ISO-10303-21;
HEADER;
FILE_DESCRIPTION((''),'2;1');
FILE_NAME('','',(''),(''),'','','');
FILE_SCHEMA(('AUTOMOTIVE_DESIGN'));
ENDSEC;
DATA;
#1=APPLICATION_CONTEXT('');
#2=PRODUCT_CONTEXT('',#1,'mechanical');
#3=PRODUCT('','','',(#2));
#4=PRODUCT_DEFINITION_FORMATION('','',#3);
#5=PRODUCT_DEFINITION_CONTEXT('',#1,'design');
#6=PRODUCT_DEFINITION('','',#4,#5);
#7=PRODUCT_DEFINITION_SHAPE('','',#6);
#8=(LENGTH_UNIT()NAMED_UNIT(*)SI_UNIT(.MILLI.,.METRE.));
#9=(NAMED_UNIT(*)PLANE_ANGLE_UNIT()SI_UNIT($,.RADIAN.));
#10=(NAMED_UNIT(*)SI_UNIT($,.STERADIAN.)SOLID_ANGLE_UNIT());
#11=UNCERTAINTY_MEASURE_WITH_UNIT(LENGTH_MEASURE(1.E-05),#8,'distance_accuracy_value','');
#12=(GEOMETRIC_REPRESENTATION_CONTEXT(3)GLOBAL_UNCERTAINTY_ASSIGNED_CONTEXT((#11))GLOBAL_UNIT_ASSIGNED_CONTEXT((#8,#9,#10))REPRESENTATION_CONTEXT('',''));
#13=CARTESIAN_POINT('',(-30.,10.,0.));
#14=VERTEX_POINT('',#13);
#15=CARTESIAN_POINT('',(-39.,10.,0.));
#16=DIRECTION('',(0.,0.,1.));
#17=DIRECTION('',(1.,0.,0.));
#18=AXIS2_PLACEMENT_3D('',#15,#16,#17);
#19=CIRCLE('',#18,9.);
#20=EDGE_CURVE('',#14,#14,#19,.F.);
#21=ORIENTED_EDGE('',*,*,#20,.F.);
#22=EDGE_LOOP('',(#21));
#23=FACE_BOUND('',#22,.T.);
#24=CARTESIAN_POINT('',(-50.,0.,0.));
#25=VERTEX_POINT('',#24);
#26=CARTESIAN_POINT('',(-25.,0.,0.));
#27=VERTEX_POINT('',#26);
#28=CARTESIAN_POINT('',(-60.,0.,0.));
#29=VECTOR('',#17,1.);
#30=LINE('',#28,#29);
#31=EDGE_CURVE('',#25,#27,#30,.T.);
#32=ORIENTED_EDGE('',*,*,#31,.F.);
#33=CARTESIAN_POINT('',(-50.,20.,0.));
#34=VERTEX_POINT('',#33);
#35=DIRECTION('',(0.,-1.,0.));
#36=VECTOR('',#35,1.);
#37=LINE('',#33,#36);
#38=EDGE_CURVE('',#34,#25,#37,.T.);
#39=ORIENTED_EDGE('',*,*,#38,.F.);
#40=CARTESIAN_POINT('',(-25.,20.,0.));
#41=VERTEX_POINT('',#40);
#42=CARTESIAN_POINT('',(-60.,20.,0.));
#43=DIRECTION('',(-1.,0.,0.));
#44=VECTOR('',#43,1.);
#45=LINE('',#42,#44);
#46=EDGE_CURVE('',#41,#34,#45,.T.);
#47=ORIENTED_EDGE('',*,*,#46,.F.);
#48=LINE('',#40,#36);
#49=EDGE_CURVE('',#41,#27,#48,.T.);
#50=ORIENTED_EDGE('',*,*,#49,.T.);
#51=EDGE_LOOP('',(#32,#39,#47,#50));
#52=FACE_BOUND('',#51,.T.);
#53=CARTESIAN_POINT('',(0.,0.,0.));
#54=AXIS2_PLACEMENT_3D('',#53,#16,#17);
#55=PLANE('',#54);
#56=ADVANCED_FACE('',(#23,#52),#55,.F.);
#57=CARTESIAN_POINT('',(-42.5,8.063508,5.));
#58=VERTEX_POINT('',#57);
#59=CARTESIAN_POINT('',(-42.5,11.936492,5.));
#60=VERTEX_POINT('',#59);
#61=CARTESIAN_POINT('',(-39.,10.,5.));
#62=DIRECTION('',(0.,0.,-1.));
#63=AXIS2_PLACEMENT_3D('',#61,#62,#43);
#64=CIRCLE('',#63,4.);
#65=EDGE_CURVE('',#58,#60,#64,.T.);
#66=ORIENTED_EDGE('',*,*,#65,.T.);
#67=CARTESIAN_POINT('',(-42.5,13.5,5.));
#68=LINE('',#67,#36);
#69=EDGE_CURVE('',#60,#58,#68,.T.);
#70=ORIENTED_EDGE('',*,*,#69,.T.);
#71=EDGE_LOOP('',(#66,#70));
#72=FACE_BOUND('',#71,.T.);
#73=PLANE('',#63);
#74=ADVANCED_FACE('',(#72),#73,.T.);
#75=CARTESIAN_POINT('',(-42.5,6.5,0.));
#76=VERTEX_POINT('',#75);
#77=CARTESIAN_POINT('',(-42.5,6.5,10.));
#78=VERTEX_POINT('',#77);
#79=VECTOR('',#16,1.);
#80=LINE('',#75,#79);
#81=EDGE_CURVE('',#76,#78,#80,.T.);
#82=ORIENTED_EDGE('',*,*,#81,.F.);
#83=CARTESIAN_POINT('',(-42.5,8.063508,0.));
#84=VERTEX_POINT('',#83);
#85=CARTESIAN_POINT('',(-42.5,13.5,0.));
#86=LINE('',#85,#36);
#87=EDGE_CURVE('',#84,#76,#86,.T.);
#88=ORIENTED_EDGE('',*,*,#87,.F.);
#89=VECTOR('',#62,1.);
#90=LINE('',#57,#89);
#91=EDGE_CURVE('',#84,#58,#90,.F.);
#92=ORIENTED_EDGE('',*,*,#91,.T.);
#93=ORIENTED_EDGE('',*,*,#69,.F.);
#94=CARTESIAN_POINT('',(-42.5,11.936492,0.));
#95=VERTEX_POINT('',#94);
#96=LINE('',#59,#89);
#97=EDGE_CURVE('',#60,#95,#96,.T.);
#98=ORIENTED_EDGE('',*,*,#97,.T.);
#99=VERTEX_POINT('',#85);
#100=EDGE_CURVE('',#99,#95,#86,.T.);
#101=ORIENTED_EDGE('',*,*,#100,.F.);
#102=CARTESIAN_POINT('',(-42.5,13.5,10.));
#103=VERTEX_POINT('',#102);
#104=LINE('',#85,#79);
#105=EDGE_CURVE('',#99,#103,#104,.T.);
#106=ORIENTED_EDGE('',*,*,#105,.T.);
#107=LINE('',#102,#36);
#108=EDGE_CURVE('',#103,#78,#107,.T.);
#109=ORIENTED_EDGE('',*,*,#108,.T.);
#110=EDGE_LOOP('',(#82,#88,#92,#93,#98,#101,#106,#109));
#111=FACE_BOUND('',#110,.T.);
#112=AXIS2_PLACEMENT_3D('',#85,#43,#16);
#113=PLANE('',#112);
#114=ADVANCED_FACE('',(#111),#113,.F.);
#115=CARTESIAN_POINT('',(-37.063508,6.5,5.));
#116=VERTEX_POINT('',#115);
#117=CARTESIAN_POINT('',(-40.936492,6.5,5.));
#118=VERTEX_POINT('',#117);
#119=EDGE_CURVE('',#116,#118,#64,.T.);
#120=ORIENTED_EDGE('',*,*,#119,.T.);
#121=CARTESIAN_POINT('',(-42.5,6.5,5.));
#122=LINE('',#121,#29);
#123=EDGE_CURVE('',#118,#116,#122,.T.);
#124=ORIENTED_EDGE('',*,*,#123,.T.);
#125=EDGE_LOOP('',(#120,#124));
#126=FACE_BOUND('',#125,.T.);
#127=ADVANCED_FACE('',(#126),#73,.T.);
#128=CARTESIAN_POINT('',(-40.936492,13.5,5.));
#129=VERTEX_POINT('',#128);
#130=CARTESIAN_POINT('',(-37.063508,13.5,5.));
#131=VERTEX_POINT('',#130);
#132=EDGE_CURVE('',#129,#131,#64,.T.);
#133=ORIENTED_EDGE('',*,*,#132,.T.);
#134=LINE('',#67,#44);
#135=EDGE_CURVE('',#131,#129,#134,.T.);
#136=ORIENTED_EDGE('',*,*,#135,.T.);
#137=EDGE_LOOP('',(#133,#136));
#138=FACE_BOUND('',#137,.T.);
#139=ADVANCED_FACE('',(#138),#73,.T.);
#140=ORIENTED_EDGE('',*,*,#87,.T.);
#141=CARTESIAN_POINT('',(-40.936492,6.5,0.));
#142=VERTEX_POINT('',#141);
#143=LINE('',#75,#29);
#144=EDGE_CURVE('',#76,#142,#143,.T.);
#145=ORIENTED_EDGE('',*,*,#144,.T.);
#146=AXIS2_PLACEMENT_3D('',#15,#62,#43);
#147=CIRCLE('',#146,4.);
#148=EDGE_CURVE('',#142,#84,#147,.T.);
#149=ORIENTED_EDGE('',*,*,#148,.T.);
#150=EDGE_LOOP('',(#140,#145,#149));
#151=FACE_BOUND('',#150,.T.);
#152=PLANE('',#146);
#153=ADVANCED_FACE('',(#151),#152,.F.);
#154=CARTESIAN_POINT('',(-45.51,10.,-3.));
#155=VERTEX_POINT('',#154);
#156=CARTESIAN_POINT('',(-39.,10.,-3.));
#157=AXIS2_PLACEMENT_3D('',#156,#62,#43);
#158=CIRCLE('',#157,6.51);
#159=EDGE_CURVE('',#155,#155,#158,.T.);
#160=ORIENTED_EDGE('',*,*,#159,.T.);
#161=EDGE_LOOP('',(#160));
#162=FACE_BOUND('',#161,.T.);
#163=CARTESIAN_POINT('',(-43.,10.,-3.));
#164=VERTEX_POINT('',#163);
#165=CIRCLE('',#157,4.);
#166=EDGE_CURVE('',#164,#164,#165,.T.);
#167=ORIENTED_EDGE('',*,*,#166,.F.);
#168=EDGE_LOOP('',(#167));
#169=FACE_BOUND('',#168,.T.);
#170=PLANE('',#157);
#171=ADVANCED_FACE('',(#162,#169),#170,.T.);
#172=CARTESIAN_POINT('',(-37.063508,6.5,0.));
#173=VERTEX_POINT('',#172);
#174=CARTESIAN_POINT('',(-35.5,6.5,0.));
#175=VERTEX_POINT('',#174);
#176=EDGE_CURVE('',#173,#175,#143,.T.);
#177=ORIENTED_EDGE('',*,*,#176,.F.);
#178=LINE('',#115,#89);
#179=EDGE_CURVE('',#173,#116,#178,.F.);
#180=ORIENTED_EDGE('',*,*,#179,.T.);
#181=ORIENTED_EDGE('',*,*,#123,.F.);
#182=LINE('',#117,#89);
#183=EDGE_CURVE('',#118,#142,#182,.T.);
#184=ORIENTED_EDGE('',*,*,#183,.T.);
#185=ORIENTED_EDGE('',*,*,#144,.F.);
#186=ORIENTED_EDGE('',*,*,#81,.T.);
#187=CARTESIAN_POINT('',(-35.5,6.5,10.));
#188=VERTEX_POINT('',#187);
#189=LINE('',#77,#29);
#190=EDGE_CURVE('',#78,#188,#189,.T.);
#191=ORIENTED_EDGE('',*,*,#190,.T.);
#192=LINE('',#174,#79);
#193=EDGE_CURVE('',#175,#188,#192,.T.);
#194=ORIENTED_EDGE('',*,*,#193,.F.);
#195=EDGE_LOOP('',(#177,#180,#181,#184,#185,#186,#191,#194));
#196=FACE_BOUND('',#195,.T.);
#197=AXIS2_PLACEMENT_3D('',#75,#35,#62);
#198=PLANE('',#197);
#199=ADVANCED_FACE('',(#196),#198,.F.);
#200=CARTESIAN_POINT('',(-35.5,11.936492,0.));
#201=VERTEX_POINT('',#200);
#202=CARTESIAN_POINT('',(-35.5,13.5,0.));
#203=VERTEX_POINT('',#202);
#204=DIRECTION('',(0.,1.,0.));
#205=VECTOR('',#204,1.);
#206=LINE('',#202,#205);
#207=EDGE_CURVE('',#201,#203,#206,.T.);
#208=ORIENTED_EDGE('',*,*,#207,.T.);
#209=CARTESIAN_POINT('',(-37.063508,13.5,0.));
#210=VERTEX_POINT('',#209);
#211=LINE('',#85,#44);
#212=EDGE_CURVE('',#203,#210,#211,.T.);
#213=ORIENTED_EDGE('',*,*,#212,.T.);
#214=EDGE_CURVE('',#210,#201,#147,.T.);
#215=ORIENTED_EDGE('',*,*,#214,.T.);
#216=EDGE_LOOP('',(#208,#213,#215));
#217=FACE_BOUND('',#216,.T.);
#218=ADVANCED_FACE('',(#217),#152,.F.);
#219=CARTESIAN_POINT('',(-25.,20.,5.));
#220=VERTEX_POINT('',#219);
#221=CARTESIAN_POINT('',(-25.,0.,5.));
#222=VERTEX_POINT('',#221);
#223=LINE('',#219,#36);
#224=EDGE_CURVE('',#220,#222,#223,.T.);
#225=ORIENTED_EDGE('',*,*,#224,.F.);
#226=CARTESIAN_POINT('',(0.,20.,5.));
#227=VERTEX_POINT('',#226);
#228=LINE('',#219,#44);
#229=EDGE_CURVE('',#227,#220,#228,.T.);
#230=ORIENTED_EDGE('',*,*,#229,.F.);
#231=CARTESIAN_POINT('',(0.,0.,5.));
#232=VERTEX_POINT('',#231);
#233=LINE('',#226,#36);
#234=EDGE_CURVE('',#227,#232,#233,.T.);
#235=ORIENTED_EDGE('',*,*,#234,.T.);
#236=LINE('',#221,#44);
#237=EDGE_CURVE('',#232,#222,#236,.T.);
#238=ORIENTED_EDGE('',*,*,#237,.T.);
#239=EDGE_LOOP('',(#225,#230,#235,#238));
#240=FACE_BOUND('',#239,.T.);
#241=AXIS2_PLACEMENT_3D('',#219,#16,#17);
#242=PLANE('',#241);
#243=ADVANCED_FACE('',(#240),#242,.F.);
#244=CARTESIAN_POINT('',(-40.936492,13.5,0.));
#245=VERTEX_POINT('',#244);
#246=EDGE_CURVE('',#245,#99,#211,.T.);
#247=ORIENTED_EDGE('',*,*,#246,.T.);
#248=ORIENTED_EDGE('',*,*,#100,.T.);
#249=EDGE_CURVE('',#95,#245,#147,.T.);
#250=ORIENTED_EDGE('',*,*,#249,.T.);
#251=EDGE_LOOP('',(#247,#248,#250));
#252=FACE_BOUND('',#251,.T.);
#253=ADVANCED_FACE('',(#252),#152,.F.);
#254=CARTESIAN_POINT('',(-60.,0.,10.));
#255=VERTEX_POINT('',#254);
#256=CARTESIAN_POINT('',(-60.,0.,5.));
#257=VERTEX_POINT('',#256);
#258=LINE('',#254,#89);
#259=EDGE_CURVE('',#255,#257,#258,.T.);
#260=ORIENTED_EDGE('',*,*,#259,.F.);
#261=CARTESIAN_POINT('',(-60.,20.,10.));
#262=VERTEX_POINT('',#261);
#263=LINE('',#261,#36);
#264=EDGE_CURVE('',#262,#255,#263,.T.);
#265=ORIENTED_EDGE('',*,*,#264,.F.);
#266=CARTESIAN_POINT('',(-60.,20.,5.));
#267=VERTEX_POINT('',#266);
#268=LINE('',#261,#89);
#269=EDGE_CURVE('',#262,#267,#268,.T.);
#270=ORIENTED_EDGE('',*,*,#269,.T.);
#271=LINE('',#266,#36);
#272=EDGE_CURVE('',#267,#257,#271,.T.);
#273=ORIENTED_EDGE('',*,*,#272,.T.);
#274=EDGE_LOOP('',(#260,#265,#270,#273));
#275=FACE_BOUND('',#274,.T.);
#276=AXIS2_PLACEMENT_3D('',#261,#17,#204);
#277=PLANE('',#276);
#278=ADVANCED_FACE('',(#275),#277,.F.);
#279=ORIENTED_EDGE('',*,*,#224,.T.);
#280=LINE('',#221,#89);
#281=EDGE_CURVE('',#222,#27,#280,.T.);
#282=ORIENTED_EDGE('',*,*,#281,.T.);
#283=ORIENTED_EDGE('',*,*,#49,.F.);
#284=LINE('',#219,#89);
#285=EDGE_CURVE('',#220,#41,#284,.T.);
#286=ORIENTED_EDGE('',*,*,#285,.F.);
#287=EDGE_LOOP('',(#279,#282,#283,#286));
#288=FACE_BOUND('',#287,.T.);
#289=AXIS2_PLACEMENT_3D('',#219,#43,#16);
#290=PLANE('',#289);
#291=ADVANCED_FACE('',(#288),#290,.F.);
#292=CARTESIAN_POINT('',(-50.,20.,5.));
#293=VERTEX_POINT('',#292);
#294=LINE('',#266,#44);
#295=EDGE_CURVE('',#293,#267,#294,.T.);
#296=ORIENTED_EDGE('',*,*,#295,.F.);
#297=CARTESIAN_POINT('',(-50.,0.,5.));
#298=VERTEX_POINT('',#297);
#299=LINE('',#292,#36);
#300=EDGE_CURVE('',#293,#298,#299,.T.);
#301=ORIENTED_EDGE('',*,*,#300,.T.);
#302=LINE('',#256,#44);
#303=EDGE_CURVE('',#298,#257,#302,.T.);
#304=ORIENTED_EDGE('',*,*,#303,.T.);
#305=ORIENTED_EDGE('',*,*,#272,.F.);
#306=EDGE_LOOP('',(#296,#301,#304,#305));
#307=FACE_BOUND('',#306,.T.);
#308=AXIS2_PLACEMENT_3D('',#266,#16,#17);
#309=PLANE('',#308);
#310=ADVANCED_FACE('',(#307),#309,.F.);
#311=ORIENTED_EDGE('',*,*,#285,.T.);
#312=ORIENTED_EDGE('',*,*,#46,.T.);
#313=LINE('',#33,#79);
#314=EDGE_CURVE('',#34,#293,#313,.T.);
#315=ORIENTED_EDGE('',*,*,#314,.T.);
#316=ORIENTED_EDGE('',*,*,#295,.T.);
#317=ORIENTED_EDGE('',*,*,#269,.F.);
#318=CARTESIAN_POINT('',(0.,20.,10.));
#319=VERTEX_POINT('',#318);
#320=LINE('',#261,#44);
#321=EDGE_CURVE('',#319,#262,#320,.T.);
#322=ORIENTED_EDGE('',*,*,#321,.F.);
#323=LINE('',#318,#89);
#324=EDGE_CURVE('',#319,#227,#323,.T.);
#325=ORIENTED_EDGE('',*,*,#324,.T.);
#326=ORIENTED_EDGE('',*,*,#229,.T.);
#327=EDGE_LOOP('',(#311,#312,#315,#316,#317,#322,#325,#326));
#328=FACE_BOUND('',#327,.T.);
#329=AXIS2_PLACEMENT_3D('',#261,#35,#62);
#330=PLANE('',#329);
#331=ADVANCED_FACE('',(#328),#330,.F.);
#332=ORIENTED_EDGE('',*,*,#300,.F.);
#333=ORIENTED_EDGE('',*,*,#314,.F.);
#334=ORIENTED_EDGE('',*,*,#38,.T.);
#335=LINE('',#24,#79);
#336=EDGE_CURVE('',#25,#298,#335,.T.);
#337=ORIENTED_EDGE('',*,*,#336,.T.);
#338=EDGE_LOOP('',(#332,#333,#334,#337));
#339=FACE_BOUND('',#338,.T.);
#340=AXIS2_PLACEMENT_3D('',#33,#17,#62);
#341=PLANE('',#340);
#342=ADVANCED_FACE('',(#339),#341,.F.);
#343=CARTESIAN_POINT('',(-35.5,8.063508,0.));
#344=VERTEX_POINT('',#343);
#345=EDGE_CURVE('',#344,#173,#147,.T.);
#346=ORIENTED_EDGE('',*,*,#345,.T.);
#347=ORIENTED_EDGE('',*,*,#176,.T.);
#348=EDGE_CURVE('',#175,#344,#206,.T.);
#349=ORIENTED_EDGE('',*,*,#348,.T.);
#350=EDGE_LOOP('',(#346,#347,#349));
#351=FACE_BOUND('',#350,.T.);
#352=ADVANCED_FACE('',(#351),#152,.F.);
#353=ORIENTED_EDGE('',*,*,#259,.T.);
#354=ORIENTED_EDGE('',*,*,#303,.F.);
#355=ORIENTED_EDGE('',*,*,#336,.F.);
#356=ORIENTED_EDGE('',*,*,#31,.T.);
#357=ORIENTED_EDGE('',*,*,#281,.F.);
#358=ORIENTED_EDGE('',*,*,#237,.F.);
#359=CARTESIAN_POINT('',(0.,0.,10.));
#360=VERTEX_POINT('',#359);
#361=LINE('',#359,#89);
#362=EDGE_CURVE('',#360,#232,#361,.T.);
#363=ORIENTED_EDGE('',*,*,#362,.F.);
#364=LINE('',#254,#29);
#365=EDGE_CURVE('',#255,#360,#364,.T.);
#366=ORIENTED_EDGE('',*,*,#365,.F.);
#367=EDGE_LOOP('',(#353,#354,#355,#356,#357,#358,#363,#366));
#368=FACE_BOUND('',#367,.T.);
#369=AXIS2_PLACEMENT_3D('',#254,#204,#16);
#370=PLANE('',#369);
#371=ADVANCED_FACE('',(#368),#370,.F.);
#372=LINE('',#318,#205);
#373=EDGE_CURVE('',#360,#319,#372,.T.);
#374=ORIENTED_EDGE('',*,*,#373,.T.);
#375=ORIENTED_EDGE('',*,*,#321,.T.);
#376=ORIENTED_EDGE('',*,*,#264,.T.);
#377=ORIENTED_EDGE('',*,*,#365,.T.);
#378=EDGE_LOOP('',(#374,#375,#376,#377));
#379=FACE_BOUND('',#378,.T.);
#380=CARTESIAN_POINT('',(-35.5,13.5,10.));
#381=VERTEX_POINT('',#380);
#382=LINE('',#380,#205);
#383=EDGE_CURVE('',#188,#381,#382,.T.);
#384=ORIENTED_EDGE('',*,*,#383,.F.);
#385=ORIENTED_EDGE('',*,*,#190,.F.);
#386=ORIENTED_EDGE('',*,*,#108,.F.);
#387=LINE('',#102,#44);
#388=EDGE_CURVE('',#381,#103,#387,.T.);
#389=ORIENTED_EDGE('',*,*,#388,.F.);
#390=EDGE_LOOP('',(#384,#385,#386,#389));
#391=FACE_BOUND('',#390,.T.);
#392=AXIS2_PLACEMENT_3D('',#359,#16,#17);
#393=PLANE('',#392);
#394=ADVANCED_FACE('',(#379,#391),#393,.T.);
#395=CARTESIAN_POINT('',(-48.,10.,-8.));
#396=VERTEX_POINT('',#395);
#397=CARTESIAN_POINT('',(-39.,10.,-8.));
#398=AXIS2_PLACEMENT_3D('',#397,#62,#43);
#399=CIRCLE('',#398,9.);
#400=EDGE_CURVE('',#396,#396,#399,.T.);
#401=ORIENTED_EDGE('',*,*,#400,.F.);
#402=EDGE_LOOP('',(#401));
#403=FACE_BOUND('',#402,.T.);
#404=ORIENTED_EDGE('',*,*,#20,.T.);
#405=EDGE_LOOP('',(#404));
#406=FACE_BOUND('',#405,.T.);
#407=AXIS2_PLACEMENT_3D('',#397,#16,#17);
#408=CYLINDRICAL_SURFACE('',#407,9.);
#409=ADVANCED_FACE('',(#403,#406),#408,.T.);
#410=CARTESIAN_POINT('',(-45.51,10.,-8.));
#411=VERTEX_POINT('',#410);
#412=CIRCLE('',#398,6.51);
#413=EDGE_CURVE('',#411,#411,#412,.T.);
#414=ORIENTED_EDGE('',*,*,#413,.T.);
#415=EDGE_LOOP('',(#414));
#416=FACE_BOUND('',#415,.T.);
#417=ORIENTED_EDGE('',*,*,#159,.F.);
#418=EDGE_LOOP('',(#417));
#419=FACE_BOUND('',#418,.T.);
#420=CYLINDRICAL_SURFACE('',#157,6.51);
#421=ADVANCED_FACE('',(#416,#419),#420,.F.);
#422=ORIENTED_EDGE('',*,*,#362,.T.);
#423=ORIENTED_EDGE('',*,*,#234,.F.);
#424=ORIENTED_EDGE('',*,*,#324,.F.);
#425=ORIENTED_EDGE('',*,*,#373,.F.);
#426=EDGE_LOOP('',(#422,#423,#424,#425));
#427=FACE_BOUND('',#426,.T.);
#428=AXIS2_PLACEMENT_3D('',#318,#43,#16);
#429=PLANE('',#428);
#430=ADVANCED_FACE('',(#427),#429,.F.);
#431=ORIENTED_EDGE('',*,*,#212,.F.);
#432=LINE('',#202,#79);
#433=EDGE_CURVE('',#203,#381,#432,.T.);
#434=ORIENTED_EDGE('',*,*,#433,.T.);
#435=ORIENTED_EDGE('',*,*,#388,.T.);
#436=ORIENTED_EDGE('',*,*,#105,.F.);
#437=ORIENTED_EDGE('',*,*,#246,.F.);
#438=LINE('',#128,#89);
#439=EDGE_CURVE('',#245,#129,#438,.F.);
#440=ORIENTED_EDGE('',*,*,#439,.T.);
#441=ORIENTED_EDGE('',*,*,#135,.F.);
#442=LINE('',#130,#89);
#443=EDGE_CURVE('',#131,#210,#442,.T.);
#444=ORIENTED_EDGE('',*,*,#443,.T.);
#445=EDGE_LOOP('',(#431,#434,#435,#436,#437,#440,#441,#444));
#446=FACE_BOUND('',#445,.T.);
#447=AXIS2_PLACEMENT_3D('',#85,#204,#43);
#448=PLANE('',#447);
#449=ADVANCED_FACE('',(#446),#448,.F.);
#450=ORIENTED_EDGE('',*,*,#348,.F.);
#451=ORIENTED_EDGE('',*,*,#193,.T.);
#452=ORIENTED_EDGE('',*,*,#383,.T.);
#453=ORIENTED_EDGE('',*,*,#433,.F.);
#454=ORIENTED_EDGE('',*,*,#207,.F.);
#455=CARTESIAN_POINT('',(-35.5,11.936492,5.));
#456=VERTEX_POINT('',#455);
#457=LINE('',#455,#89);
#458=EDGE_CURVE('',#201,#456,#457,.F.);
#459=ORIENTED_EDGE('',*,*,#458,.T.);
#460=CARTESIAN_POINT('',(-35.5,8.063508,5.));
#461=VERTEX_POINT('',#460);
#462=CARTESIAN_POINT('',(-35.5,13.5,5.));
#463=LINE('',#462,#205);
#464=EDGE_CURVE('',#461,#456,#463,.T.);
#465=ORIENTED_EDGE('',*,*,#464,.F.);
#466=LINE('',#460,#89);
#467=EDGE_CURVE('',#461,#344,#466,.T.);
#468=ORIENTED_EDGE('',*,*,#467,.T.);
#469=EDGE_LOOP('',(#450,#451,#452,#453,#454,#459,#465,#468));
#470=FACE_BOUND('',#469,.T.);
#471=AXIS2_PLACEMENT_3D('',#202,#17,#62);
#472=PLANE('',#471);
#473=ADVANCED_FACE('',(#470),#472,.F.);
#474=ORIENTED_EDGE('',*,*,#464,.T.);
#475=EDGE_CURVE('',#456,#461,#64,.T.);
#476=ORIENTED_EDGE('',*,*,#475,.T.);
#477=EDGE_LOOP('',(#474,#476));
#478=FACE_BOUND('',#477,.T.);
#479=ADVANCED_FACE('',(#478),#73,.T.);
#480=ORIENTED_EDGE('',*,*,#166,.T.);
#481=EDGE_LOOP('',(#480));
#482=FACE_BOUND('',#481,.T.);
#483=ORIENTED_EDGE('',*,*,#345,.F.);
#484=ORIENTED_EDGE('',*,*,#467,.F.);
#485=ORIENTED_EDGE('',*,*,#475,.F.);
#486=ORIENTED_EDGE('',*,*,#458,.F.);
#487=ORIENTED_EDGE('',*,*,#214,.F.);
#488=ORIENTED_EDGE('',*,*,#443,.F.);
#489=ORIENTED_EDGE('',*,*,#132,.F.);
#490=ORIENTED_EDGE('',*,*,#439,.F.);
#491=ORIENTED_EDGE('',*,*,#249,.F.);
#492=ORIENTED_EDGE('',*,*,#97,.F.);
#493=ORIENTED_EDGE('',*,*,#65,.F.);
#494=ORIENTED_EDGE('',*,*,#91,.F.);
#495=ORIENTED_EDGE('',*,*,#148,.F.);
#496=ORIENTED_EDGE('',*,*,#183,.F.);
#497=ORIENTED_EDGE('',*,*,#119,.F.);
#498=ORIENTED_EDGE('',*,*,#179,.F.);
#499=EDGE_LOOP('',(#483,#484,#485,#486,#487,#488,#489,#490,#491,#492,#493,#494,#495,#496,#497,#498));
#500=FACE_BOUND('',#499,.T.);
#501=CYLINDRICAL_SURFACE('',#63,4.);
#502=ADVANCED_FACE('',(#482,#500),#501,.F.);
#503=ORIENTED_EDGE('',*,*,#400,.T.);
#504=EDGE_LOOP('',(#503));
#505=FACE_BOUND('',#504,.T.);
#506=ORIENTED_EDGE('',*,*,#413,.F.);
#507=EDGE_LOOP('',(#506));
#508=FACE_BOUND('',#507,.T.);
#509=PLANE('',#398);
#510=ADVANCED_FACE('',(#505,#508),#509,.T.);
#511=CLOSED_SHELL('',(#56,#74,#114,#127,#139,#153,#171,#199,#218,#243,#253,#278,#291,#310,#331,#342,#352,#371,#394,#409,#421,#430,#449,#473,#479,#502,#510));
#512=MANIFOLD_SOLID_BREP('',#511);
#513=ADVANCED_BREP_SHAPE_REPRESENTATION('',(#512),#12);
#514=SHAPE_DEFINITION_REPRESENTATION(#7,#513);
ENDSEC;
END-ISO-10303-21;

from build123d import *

# Parameters (mm, degrees)
SKETCH1_W           = 60
SKETCH1_H           = 20
BOSS_EXTRUDE1_DEPTH = 10
SKETCH2_W           = 7
SKETCH2_H           = 7
CUT_EXTRUDE1_DEPTH  = 10
SKETCH3_W           = 25
SKETCH3_H           = 5
SKETCH3_W_2         = 10
CUT_EXTRUDE2_DEPTH  = 65.031242374
SKETCH5_R           = 9
BOSS_EXTRUDE2_DEPTH = 8
SKETCH6_R           = 6.51
CUT_EXTRUDE3_DEPTH  = 5
SKETCH7_R           = 4
CUT_EXTRUDE4_DEPTH  = 8


with BuildPart() as part:
    # Sketch1 → Boss-Extrude1 (new body)
    with BuildSketch(Plane.XY):
        with Locations((-30, 10)):
            Rectangle(SKETCH1_W, SKETCH1_H)
    extrude(amount=BOSS_EXTRUDE1_DEPTH)

    # Sketch2 → Cut-Extrude1 (cut)
    with BuildSketch(Plane.XY.offset(10)):
        with Locations((-39, 10)):
            Rectangle(SKETCH2_W, SKETCH2_H)
    extrude(amount=-CUT_EXTRUDE1_DEPTH, mode=Mode.SUBTRACT)

    # Sketch3 → Cut-Extrude2 (cut, through all)
    with BuildSketch(Plane(origin=(0, 0, 0), x_dir=(-1, 0, 0), z_dir=(0, -1, 0))):
        with Locations((12.5, -2.5)):
            Rectangle(SKETCH3_W, SKETCH3_H)
        with Locations((55, -2.5)):
            Rectangle(SKETCH3_W_2, SKETCH3_H)
    extrude(amount=-CUT_EXTRUDE2_DEPTH, mode=Mode.SUBTRACT)

    # Sketch5 → Boss-Extrude2 (add)
    with BuildSketch(Plane(origin=(0, 0, 0), x_dir=(-1, 0, 0), z_dir=(0, 0, -1))):
        with Locations(Location((39, 10, 0), (0, 0, 180))):
            Circle(SKETCH5_R)
    extrude(amount=BOSS_EXTRUDE2_DEPTH)

    # Sketch6 → Cut-Extrude3 (cut)
    with BuildSketch(Plane(origin=(0, 0, -8), x_dir=(-1, 0, 0), z_dir=(0, 0, -1))):
        with Locations((39, 10)):
            Circle(SKETCH6_R)
    extrude(amount=-CUT_EXTRUDE3_DEPTH, mode=Mode.SUBTRACT)

    # Sketch7 → Cut-Extrude4 (cut)
    with BuildSketch(Plane(origin=(0, 0, -3), x_dir=(-1, 0, 0), z_dir=(0, 0, -1))):
        with Locations((39, 10)):
            Circle(SKETCH7_R)
    extrude(amount=-CUT_EXTRUDE4_DEPTH, mode=Mode.SUBTRACT)


solid = part.part
